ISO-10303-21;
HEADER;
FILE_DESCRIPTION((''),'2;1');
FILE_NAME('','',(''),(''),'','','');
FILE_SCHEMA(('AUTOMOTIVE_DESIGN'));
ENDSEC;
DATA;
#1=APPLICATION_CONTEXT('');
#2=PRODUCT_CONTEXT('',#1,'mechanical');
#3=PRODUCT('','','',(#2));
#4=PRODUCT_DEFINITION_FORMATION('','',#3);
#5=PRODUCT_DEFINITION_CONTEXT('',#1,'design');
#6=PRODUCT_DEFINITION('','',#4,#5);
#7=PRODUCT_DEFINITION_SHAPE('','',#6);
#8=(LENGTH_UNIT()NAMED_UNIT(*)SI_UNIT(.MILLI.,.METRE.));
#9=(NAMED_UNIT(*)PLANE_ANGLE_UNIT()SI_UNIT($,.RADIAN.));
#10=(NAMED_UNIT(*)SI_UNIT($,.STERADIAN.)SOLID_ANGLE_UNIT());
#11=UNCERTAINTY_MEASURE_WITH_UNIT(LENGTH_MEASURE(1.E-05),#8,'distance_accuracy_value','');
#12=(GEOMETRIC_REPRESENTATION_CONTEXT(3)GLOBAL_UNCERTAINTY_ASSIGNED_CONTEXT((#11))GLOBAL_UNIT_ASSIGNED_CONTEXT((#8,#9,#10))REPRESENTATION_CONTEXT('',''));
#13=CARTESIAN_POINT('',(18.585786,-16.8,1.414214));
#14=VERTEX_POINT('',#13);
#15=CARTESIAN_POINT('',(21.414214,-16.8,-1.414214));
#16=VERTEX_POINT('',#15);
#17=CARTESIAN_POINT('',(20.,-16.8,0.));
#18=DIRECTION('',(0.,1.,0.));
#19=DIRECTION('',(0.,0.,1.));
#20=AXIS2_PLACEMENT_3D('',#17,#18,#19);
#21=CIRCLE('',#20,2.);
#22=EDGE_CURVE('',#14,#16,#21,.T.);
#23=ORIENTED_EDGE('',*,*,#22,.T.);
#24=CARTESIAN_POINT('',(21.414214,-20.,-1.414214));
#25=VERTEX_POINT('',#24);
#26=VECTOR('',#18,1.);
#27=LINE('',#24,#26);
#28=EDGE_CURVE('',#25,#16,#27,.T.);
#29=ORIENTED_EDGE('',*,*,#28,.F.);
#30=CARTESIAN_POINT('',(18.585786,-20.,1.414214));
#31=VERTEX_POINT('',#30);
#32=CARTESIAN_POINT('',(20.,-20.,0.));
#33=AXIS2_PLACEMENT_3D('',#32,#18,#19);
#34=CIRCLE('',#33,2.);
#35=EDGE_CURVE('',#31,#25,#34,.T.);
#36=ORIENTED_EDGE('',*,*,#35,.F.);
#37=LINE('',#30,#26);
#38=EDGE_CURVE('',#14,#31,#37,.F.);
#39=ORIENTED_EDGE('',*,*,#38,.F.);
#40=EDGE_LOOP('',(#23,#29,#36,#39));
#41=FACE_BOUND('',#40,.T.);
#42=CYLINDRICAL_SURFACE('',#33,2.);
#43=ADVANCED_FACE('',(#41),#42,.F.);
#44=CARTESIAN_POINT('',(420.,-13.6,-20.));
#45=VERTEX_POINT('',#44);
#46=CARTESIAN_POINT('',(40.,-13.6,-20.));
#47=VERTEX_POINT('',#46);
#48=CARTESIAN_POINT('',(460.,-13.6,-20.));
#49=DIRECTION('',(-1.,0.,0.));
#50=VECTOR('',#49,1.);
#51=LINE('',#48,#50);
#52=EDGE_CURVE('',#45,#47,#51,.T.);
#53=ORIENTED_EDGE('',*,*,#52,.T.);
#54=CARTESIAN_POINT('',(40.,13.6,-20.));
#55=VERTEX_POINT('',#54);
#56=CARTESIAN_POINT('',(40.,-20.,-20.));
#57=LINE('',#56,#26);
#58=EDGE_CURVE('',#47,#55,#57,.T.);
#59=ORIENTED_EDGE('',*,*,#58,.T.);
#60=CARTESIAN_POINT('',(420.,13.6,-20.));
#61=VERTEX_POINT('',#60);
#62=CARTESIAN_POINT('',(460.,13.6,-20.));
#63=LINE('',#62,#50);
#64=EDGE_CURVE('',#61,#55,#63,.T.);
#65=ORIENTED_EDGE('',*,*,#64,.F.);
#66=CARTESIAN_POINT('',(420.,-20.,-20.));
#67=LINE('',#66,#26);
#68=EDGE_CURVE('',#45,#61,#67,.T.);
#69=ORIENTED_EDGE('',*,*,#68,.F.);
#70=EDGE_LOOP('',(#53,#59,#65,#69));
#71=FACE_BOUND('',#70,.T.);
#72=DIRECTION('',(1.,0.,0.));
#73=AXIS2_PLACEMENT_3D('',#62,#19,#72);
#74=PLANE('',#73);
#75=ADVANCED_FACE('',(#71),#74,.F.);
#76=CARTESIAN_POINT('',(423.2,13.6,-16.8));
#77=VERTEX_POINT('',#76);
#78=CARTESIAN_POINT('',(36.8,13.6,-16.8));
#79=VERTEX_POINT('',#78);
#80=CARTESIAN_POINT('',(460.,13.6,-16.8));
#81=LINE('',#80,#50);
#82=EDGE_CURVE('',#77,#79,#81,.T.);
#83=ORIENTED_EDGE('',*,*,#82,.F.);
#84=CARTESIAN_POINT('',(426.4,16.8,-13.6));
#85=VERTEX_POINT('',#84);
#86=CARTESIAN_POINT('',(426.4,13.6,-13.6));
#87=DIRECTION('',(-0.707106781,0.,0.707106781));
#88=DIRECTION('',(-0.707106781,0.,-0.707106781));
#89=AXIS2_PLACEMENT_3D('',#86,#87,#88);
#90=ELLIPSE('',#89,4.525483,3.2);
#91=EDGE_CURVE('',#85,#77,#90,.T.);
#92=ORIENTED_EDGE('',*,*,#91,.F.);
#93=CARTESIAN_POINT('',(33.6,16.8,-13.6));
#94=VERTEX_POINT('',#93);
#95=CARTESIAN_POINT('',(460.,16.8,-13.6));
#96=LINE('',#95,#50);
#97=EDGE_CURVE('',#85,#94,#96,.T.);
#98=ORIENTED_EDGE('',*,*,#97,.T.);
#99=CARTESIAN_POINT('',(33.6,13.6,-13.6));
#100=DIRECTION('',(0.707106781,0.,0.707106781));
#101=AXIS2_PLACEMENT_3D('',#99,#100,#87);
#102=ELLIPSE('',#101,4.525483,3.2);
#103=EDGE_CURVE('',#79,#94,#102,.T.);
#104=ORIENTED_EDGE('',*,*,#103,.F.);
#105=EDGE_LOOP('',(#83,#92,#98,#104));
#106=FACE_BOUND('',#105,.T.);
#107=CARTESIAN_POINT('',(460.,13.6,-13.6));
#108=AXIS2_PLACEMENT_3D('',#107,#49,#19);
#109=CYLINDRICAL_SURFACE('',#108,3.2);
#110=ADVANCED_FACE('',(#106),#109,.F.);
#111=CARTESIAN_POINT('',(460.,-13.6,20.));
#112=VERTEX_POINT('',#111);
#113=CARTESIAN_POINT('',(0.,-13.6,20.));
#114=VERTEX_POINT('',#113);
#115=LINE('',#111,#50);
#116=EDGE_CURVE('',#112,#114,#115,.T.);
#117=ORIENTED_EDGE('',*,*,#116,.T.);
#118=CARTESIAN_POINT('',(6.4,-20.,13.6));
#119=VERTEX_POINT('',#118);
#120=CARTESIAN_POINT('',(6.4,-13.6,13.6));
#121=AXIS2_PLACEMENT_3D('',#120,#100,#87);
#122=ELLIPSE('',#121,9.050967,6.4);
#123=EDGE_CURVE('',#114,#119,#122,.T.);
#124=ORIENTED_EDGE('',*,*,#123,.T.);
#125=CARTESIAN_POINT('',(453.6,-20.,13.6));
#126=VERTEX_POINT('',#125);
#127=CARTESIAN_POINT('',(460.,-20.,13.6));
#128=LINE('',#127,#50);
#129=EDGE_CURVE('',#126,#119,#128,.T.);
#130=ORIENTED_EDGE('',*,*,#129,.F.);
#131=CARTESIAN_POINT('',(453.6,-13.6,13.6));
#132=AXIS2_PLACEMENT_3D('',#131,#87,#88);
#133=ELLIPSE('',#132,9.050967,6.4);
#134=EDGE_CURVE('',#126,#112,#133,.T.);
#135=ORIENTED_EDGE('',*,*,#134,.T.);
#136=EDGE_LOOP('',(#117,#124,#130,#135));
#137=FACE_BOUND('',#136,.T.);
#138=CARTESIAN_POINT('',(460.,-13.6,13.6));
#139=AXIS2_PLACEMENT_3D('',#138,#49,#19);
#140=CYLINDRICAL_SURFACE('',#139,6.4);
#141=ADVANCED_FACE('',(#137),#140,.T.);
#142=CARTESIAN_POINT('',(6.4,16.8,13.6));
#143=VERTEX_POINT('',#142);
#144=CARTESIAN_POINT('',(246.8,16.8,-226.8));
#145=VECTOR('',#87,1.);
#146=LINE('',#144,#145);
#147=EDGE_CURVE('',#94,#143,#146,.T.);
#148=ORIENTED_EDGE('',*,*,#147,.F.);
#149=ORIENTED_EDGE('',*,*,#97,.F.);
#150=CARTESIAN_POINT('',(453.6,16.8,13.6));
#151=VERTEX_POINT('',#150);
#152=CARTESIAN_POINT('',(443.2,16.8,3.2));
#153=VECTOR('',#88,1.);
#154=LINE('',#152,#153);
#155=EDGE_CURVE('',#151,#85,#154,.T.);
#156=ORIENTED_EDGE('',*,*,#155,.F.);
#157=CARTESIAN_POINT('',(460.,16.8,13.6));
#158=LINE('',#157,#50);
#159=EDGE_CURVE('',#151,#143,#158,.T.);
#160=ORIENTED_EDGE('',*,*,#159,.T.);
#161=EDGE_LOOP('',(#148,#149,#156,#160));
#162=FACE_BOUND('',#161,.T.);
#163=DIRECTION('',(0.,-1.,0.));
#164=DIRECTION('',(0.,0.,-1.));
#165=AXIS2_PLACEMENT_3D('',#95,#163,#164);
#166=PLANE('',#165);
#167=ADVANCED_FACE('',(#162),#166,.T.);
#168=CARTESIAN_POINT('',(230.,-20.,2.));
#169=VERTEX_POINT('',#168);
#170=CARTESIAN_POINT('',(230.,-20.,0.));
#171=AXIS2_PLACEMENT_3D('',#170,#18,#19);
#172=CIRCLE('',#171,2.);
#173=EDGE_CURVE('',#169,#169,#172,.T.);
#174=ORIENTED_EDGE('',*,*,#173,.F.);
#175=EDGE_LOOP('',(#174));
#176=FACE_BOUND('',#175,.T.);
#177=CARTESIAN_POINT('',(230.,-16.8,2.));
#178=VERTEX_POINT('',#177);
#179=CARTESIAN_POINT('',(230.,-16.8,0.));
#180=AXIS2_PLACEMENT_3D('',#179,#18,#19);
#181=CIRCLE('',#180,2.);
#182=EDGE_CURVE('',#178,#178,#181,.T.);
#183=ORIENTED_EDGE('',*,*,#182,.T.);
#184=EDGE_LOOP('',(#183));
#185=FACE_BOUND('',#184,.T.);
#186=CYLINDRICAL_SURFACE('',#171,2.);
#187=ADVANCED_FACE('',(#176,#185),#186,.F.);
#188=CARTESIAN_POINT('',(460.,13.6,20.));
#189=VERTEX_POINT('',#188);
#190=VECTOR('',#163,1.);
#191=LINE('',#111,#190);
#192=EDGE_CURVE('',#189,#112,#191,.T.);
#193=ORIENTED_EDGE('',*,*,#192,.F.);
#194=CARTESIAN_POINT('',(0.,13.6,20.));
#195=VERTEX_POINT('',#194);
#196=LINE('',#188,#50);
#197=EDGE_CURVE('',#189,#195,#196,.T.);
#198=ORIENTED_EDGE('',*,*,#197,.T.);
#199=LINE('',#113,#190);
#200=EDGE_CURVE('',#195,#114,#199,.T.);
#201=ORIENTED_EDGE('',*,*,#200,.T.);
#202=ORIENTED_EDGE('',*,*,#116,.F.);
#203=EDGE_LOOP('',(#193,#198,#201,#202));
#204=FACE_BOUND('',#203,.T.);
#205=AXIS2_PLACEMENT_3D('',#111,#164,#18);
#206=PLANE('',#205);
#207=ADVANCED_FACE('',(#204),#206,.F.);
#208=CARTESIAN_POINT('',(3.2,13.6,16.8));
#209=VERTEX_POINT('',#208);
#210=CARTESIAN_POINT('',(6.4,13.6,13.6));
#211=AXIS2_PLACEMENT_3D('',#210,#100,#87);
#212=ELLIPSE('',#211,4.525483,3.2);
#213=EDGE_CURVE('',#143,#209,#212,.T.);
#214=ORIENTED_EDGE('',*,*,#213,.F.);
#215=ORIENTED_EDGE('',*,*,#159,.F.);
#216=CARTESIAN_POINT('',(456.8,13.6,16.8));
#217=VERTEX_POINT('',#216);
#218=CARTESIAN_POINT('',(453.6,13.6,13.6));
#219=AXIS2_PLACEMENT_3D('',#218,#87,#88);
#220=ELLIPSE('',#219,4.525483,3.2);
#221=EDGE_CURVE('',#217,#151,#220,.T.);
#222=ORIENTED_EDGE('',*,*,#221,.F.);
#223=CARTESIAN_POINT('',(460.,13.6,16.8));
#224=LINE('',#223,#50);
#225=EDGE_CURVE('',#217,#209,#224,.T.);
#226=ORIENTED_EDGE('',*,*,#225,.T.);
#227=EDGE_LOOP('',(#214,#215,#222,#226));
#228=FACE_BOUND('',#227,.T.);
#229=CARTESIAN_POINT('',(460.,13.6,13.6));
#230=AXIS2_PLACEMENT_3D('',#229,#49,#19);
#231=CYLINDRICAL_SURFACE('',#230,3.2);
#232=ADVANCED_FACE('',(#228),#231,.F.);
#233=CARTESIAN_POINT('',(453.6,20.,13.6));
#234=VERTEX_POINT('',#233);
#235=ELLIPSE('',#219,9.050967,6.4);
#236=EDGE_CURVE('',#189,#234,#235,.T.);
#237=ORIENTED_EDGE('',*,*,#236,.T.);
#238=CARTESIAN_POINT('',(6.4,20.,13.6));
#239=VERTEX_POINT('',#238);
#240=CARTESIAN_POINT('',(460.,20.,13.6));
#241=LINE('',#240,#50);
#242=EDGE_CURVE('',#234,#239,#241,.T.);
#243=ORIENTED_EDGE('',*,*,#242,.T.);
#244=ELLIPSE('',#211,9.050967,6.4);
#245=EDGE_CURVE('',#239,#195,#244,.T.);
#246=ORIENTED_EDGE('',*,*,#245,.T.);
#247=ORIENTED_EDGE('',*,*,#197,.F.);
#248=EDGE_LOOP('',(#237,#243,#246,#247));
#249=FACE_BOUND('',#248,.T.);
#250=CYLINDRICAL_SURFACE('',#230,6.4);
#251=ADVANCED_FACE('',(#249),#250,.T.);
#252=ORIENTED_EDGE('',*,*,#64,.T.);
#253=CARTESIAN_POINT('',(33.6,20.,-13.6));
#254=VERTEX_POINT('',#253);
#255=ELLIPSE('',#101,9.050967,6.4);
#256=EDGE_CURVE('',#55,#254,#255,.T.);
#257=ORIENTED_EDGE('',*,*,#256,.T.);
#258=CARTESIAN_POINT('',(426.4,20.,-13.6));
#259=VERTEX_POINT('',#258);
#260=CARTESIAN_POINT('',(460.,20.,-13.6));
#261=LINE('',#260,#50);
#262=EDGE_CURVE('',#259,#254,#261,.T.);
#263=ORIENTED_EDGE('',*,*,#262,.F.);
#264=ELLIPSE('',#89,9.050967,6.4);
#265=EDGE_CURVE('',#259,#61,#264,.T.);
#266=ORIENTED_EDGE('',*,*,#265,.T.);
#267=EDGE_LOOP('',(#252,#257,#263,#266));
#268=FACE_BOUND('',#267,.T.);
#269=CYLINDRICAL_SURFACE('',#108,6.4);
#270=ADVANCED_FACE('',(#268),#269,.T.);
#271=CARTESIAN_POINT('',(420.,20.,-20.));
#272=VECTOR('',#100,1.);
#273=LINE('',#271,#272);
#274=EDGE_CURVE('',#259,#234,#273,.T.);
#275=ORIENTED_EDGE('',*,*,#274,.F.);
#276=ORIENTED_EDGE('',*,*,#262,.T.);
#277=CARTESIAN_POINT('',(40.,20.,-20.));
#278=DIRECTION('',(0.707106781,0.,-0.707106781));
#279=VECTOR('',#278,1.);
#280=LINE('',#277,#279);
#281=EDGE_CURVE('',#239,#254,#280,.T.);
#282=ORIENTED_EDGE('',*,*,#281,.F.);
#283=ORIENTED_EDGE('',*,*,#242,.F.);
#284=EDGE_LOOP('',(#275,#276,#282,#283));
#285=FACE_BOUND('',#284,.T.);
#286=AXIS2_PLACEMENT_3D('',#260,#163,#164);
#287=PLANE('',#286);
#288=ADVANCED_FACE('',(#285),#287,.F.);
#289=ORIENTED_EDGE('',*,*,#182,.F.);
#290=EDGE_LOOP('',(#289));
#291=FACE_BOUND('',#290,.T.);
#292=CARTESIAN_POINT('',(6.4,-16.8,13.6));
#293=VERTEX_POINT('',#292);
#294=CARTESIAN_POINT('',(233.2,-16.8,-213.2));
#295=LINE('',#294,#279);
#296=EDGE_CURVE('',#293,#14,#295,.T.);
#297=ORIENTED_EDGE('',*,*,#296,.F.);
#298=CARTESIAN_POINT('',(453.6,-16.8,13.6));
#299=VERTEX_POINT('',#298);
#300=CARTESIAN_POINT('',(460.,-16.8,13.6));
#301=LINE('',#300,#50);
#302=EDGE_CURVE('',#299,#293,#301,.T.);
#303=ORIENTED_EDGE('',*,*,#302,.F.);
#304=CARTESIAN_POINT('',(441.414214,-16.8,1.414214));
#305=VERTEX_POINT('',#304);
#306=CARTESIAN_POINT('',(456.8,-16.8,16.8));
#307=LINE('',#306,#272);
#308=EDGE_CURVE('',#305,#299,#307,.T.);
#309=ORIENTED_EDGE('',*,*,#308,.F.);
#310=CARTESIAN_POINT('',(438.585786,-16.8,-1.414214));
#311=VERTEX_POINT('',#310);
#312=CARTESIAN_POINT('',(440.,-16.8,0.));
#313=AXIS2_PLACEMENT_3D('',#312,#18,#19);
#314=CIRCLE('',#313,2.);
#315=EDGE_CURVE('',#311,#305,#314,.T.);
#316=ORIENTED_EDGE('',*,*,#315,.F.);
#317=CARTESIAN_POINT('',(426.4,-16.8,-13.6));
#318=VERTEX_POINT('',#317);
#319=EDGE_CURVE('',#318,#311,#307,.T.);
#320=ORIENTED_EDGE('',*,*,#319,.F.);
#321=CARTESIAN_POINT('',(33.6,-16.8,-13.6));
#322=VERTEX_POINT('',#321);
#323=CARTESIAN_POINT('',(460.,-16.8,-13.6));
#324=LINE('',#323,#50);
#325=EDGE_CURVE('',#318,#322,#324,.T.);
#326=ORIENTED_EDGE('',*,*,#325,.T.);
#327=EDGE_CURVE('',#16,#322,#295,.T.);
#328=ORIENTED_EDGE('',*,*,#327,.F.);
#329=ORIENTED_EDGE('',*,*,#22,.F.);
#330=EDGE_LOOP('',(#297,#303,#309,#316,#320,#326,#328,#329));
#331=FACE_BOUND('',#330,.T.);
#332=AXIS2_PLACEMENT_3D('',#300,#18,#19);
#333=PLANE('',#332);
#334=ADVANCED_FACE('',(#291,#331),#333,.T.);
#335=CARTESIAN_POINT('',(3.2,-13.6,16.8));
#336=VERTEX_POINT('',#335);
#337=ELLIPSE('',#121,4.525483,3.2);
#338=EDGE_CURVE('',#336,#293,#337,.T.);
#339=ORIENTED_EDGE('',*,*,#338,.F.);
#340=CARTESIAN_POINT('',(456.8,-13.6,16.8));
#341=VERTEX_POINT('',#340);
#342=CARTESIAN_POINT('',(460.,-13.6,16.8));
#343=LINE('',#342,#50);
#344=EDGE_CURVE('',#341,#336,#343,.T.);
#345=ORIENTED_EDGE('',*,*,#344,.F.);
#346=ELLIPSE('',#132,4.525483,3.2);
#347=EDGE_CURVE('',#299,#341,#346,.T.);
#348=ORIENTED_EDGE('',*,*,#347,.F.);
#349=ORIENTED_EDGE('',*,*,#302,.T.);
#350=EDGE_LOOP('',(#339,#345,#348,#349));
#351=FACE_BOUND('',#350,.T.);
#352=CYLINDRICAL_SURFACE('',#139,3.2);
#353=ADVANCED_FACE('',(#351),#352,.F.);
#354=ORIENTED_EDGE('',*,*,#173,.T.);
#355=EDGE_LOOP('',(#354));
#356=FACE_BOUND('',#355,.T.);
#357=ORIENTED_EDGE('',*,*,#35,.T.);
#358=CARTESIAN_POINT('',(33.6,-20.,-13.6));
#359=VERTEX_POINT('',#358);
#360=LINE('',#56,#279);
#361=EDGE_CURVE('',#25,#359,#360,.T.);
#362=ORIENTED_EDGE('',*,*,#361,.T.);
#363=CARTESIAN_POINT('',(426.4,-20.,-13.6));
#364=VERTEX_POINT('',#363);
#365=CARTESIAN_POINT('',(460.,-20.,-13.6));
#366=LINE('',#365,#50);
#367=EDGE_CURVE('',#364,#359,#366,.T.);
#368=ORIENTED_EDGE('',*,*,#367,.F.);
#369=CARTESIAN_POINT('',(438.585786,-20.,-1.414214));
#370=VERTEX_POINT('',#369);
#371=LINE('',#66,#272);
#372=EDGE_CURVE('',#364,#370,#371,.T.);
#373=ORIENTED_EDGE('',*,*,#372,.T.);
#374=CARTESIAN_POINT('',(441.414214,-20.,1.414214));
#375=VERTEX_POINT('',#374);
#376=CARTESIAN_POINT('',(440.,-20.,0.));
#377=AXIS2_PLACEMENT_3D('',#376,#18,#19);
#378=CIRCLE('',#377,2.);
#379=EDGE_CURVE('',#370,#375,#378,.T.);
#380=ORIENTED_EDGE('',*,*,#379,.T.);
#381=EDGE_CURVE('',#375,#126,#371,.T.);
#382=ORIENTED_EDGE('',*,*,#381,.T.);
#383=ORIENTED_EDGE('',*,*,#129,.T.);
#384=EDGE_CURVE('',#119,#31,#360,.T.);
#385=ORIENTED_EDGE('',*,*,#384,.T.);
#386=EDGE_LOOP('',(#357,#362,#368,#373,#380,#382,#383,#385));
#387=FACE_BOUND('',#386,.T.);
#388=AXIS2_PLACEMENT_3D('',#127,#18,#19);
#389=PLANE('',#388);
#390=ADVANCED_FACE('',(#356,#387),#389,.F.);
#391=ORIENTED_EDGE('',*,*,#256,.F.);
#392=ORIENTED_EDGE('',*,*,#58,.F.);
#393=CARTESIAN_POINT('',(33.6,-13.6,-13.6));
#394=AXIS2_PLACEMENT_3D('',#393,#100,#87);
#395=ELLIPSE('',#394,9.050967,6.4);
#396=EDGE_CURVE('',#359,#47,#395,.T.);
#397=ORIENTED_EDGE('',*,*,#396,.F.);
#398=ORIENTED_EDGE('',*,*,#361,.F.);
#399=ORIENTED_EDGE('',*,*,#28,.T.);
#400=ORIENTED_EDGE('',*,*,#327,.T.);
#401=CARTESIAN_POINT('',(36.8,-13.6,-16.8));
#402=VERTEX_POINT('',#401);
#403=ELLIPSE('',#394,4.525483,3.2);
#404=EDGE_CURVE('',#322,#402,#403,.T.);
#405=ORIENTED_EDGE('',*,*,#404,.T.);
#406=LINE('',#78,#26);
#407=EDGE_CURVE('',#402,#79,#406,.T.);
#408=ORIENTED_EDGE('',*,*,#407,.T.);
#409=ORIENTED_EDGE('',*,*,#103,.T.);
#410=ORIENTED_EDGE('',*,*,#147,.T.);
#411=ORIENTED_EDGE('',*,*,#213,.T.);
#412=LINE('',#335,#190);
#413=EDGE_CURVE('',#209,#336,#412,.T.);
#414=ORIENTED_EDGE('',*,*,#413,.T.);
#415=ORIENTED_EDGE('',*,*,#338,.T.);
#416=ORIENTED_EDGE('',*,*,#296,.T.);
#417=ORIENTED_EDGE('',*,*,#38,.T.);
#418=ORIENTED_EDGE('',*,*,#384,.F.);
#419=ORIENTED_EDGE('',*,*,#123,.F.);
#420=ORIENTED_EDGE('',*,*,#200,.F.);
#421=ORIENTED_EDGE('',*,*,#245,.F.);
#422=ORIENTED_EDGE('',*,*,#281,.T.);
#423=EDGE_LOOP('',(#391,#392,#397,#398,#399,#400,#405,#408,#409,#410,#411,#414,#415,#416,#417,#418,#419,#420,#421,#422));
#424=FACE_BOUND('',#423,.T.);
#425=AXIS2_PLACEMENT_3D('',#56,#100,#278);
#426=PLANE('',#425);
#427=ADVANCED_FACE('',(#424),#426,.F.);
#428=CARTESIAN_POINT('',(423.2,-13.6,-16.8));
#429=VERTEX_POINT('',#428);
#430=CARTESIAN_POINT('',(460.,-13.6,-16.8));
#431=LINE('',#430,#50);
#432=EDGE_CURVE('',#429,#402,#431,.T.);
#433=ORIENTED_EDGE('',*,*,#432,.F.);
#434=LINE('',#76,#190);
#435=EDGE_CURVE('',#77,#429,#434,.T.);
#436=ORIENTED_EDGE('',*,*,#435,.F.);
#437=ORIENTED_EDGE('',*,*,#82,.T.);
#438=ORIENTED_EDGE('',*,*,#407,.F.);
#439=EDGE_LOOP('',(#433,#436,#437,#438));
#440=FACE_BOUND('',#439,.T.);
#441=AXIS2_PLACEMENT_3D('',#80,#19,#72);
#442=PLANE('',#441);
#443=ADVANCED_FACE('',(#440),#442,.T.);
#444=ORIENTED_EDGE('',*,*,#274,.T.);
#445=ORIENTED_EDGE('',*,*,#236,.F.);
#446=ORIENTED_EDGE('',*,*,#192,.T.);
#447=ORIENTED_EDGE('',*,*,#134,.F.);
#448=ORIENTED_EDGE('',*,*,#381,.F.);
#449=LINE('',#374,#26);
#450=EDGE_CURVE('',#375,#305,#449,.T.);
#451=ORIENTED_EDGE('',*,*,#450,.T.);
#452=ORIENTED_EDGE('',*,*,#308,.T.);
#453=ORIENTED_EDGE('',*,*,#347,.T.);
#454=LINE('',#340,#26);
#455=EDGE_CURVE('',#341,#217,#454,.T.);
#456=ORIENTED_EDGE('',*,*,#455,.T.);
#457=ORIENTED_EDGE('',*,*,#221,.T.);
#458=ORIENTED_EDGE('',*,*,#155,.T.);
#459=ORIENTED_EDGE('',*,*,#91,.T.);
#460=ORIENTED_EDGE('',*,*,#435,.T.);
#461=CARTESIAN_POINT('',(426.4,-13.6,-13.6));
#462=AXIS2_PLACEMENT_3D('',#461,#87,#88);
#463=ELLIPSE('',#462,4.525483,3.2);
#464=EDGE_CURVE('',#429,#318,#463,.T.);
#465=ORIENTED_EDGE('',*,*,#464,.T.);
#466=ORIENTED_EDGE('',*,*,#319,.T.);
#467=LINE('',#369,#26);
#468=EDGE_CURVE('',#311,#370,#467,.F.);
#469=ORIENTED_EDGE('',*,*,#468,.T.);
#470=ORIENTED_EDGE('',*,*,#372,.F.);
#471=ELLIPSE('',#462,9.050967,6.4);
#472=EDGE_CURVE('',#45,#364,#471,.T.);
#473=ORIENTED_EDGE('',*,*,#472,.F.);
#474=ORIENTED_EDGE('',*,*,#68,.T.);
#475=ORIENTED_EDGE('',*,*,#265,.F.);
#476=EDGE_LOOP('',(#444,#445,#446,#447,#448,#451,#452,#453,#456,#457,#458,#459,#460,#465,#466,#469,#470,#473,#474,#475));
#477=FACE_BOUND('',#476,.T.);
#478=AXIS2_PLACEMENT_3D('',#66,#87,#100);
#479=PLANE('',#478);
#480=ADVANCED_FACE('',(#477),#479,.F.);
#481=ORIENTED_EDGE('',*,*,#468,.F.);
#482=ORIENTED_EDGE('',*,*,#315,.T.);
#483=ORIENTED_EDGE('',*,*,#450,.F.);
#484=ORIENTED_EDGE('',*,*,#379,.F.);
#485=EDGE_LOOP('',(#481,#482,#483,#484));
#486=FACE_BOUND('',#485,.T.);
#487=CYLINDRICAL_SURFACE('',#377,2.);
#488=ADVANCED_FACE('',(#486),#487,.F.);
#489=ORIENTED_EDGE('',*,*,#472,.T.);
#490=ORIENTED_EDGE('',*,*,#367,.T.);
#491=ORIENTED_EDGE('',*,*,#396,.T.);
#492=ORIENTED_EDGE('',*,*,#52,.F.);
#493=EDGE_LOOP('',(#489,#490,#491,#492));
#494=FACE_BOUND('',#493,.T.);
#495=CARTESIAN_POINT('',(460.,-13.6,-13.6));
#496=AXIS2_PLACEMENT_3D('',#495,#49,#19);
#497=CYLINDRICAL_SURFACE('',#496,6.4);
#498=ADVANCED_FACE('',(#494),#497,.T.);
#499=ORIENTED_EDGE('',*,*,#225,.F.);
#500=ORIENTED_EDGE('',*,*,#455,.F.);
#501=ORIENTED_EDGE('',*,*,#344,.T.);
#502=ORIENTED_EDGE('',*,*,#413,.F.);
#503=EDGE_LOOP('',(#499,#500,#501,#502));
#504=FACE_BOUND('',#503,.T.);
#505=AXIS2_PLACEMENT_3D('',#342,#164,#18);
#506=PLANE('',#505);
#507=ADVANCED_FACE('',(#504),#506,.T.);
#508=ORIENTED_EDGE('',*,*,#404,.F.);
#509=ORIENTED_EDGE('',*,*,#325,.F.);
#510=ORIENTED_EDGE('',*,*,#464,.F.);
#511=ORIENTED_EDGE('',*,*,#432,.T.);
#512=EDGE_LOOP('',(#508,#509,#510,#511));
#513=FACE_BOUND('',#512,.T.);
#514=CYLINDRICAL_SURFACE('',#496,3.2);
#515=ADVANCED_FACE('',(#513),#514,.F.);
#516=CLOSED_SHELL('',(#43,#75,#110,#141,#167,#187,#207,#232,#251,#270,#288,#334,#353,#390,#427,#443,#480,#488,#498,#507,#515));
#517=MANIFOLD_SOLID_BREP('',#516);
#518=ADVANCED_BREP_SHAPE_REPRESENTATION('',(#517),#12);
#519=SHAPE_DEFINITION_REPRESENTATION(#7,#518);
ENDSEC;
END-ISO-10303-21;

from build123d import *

# Parameters (mm, degrees)
TUBE_SQUARE_40_X_40_X_3_2_9_DEPTH = 460
CUT_EXTRUDE1_DEPTH                = 463.168800332
SKETCH15_R                        = 2
CUT_EXTRUDE4_DEPTH                = 461.868744872


with BuildPart() as part:
    # Sketch12 → Tube (square) 40 X 40 X 3.2(9) (new body)
    with BuildSketch(Plane(origin=(0, 0, 0), x_dir=(0, 0, -1), z_dir=(1, 0, 0))):
        with BuildLine():
            Line((-13.6, -20), (13.6, -20))
            ThreePointArc((13.6, -20), (18.1254834, -18.1254834), (20, -13.6))
            Line((20, -13.6), (20, 13.6))
            ThreePointArc((20, 13.6), (18.1254834, 18.1254834), (13.6, 20))
            Line((13.6, 20), (-13.6, 20))
            ThreePointArc((-13.6, 20), (-18.1254834, 18.1254834), (-20, 13.6))
            Line((-20, 13.6), (-20, -13.6))
            ThreePointArc((-20, -13.6), (-18.1254834, -18.1254834), (-13.6, -20))
        make_face()
        with BuildLine():
            Line((-13.6, -16.8), (13.6, -16.8))
            ThreePointArc((13.6, -16.8), (15.8627417, -15.8627417), (16.8, -13.6))
            Line((16.8, -13.6), (16.8, 13.6))
            ThreePointArc((16.8, 13.6), (15.8627417, 15.8627417), (13.6, 16.8))
            Line((13.6, 16.8), (-13.6, 16.8))
            ThreePointArc((-13.6, 16.8), (-15.8627417, 15.8627417), (-16.8, 13.6))
            Line((-16.8, 13.6), (-16.8, -13.6))
            ThreePointArc((-16.8, -13.6), (-15.8627417, -15.8627417), (-13.6, -16.8))
        make_face(mode=Mode.SUBTRACT)
    extrude(amount=TUBE_SQUARE_40_X_40_X_3_2_9_DEPTH)

    # Sketch13 → Cut-Extrude1 (cut, through all)
    with BuildSketch(Plane(origin=(0, 20, 0), x_dir=(1, 0, 0), z_dir=(0, 1, 0))):
        Polygon((460, 20), (460, -20), (420, 20), align=None)
        Polygon((0, 20), (0, -20), (40, 20), align=None)
    extrude(amount=-CUT_EXTRUDE1_DEPTH, mode=Mode.SUBTRACT)

    # Sketch15 → Cut-Extrude4 (cut, through all)
    with BuildSketch(Plane(origin=(0, 0, 0), x_dir=(1, 0, 0), z_dir=(0, 1, 0))):
        with Locations((440, 0)):
            Circle(SKETCH15_R)
        with Locations(Location((230, 0, 0), (0, 0, 270))):
            Circle(SKETCH15_R)
        with Locations((20, 0)):
            Circle(SKETCH15_R)
    extrude(amount=-CUT_EXTRUDE4_DEPTH, mode=Mode.SUBTRACT)


solid = part.part
